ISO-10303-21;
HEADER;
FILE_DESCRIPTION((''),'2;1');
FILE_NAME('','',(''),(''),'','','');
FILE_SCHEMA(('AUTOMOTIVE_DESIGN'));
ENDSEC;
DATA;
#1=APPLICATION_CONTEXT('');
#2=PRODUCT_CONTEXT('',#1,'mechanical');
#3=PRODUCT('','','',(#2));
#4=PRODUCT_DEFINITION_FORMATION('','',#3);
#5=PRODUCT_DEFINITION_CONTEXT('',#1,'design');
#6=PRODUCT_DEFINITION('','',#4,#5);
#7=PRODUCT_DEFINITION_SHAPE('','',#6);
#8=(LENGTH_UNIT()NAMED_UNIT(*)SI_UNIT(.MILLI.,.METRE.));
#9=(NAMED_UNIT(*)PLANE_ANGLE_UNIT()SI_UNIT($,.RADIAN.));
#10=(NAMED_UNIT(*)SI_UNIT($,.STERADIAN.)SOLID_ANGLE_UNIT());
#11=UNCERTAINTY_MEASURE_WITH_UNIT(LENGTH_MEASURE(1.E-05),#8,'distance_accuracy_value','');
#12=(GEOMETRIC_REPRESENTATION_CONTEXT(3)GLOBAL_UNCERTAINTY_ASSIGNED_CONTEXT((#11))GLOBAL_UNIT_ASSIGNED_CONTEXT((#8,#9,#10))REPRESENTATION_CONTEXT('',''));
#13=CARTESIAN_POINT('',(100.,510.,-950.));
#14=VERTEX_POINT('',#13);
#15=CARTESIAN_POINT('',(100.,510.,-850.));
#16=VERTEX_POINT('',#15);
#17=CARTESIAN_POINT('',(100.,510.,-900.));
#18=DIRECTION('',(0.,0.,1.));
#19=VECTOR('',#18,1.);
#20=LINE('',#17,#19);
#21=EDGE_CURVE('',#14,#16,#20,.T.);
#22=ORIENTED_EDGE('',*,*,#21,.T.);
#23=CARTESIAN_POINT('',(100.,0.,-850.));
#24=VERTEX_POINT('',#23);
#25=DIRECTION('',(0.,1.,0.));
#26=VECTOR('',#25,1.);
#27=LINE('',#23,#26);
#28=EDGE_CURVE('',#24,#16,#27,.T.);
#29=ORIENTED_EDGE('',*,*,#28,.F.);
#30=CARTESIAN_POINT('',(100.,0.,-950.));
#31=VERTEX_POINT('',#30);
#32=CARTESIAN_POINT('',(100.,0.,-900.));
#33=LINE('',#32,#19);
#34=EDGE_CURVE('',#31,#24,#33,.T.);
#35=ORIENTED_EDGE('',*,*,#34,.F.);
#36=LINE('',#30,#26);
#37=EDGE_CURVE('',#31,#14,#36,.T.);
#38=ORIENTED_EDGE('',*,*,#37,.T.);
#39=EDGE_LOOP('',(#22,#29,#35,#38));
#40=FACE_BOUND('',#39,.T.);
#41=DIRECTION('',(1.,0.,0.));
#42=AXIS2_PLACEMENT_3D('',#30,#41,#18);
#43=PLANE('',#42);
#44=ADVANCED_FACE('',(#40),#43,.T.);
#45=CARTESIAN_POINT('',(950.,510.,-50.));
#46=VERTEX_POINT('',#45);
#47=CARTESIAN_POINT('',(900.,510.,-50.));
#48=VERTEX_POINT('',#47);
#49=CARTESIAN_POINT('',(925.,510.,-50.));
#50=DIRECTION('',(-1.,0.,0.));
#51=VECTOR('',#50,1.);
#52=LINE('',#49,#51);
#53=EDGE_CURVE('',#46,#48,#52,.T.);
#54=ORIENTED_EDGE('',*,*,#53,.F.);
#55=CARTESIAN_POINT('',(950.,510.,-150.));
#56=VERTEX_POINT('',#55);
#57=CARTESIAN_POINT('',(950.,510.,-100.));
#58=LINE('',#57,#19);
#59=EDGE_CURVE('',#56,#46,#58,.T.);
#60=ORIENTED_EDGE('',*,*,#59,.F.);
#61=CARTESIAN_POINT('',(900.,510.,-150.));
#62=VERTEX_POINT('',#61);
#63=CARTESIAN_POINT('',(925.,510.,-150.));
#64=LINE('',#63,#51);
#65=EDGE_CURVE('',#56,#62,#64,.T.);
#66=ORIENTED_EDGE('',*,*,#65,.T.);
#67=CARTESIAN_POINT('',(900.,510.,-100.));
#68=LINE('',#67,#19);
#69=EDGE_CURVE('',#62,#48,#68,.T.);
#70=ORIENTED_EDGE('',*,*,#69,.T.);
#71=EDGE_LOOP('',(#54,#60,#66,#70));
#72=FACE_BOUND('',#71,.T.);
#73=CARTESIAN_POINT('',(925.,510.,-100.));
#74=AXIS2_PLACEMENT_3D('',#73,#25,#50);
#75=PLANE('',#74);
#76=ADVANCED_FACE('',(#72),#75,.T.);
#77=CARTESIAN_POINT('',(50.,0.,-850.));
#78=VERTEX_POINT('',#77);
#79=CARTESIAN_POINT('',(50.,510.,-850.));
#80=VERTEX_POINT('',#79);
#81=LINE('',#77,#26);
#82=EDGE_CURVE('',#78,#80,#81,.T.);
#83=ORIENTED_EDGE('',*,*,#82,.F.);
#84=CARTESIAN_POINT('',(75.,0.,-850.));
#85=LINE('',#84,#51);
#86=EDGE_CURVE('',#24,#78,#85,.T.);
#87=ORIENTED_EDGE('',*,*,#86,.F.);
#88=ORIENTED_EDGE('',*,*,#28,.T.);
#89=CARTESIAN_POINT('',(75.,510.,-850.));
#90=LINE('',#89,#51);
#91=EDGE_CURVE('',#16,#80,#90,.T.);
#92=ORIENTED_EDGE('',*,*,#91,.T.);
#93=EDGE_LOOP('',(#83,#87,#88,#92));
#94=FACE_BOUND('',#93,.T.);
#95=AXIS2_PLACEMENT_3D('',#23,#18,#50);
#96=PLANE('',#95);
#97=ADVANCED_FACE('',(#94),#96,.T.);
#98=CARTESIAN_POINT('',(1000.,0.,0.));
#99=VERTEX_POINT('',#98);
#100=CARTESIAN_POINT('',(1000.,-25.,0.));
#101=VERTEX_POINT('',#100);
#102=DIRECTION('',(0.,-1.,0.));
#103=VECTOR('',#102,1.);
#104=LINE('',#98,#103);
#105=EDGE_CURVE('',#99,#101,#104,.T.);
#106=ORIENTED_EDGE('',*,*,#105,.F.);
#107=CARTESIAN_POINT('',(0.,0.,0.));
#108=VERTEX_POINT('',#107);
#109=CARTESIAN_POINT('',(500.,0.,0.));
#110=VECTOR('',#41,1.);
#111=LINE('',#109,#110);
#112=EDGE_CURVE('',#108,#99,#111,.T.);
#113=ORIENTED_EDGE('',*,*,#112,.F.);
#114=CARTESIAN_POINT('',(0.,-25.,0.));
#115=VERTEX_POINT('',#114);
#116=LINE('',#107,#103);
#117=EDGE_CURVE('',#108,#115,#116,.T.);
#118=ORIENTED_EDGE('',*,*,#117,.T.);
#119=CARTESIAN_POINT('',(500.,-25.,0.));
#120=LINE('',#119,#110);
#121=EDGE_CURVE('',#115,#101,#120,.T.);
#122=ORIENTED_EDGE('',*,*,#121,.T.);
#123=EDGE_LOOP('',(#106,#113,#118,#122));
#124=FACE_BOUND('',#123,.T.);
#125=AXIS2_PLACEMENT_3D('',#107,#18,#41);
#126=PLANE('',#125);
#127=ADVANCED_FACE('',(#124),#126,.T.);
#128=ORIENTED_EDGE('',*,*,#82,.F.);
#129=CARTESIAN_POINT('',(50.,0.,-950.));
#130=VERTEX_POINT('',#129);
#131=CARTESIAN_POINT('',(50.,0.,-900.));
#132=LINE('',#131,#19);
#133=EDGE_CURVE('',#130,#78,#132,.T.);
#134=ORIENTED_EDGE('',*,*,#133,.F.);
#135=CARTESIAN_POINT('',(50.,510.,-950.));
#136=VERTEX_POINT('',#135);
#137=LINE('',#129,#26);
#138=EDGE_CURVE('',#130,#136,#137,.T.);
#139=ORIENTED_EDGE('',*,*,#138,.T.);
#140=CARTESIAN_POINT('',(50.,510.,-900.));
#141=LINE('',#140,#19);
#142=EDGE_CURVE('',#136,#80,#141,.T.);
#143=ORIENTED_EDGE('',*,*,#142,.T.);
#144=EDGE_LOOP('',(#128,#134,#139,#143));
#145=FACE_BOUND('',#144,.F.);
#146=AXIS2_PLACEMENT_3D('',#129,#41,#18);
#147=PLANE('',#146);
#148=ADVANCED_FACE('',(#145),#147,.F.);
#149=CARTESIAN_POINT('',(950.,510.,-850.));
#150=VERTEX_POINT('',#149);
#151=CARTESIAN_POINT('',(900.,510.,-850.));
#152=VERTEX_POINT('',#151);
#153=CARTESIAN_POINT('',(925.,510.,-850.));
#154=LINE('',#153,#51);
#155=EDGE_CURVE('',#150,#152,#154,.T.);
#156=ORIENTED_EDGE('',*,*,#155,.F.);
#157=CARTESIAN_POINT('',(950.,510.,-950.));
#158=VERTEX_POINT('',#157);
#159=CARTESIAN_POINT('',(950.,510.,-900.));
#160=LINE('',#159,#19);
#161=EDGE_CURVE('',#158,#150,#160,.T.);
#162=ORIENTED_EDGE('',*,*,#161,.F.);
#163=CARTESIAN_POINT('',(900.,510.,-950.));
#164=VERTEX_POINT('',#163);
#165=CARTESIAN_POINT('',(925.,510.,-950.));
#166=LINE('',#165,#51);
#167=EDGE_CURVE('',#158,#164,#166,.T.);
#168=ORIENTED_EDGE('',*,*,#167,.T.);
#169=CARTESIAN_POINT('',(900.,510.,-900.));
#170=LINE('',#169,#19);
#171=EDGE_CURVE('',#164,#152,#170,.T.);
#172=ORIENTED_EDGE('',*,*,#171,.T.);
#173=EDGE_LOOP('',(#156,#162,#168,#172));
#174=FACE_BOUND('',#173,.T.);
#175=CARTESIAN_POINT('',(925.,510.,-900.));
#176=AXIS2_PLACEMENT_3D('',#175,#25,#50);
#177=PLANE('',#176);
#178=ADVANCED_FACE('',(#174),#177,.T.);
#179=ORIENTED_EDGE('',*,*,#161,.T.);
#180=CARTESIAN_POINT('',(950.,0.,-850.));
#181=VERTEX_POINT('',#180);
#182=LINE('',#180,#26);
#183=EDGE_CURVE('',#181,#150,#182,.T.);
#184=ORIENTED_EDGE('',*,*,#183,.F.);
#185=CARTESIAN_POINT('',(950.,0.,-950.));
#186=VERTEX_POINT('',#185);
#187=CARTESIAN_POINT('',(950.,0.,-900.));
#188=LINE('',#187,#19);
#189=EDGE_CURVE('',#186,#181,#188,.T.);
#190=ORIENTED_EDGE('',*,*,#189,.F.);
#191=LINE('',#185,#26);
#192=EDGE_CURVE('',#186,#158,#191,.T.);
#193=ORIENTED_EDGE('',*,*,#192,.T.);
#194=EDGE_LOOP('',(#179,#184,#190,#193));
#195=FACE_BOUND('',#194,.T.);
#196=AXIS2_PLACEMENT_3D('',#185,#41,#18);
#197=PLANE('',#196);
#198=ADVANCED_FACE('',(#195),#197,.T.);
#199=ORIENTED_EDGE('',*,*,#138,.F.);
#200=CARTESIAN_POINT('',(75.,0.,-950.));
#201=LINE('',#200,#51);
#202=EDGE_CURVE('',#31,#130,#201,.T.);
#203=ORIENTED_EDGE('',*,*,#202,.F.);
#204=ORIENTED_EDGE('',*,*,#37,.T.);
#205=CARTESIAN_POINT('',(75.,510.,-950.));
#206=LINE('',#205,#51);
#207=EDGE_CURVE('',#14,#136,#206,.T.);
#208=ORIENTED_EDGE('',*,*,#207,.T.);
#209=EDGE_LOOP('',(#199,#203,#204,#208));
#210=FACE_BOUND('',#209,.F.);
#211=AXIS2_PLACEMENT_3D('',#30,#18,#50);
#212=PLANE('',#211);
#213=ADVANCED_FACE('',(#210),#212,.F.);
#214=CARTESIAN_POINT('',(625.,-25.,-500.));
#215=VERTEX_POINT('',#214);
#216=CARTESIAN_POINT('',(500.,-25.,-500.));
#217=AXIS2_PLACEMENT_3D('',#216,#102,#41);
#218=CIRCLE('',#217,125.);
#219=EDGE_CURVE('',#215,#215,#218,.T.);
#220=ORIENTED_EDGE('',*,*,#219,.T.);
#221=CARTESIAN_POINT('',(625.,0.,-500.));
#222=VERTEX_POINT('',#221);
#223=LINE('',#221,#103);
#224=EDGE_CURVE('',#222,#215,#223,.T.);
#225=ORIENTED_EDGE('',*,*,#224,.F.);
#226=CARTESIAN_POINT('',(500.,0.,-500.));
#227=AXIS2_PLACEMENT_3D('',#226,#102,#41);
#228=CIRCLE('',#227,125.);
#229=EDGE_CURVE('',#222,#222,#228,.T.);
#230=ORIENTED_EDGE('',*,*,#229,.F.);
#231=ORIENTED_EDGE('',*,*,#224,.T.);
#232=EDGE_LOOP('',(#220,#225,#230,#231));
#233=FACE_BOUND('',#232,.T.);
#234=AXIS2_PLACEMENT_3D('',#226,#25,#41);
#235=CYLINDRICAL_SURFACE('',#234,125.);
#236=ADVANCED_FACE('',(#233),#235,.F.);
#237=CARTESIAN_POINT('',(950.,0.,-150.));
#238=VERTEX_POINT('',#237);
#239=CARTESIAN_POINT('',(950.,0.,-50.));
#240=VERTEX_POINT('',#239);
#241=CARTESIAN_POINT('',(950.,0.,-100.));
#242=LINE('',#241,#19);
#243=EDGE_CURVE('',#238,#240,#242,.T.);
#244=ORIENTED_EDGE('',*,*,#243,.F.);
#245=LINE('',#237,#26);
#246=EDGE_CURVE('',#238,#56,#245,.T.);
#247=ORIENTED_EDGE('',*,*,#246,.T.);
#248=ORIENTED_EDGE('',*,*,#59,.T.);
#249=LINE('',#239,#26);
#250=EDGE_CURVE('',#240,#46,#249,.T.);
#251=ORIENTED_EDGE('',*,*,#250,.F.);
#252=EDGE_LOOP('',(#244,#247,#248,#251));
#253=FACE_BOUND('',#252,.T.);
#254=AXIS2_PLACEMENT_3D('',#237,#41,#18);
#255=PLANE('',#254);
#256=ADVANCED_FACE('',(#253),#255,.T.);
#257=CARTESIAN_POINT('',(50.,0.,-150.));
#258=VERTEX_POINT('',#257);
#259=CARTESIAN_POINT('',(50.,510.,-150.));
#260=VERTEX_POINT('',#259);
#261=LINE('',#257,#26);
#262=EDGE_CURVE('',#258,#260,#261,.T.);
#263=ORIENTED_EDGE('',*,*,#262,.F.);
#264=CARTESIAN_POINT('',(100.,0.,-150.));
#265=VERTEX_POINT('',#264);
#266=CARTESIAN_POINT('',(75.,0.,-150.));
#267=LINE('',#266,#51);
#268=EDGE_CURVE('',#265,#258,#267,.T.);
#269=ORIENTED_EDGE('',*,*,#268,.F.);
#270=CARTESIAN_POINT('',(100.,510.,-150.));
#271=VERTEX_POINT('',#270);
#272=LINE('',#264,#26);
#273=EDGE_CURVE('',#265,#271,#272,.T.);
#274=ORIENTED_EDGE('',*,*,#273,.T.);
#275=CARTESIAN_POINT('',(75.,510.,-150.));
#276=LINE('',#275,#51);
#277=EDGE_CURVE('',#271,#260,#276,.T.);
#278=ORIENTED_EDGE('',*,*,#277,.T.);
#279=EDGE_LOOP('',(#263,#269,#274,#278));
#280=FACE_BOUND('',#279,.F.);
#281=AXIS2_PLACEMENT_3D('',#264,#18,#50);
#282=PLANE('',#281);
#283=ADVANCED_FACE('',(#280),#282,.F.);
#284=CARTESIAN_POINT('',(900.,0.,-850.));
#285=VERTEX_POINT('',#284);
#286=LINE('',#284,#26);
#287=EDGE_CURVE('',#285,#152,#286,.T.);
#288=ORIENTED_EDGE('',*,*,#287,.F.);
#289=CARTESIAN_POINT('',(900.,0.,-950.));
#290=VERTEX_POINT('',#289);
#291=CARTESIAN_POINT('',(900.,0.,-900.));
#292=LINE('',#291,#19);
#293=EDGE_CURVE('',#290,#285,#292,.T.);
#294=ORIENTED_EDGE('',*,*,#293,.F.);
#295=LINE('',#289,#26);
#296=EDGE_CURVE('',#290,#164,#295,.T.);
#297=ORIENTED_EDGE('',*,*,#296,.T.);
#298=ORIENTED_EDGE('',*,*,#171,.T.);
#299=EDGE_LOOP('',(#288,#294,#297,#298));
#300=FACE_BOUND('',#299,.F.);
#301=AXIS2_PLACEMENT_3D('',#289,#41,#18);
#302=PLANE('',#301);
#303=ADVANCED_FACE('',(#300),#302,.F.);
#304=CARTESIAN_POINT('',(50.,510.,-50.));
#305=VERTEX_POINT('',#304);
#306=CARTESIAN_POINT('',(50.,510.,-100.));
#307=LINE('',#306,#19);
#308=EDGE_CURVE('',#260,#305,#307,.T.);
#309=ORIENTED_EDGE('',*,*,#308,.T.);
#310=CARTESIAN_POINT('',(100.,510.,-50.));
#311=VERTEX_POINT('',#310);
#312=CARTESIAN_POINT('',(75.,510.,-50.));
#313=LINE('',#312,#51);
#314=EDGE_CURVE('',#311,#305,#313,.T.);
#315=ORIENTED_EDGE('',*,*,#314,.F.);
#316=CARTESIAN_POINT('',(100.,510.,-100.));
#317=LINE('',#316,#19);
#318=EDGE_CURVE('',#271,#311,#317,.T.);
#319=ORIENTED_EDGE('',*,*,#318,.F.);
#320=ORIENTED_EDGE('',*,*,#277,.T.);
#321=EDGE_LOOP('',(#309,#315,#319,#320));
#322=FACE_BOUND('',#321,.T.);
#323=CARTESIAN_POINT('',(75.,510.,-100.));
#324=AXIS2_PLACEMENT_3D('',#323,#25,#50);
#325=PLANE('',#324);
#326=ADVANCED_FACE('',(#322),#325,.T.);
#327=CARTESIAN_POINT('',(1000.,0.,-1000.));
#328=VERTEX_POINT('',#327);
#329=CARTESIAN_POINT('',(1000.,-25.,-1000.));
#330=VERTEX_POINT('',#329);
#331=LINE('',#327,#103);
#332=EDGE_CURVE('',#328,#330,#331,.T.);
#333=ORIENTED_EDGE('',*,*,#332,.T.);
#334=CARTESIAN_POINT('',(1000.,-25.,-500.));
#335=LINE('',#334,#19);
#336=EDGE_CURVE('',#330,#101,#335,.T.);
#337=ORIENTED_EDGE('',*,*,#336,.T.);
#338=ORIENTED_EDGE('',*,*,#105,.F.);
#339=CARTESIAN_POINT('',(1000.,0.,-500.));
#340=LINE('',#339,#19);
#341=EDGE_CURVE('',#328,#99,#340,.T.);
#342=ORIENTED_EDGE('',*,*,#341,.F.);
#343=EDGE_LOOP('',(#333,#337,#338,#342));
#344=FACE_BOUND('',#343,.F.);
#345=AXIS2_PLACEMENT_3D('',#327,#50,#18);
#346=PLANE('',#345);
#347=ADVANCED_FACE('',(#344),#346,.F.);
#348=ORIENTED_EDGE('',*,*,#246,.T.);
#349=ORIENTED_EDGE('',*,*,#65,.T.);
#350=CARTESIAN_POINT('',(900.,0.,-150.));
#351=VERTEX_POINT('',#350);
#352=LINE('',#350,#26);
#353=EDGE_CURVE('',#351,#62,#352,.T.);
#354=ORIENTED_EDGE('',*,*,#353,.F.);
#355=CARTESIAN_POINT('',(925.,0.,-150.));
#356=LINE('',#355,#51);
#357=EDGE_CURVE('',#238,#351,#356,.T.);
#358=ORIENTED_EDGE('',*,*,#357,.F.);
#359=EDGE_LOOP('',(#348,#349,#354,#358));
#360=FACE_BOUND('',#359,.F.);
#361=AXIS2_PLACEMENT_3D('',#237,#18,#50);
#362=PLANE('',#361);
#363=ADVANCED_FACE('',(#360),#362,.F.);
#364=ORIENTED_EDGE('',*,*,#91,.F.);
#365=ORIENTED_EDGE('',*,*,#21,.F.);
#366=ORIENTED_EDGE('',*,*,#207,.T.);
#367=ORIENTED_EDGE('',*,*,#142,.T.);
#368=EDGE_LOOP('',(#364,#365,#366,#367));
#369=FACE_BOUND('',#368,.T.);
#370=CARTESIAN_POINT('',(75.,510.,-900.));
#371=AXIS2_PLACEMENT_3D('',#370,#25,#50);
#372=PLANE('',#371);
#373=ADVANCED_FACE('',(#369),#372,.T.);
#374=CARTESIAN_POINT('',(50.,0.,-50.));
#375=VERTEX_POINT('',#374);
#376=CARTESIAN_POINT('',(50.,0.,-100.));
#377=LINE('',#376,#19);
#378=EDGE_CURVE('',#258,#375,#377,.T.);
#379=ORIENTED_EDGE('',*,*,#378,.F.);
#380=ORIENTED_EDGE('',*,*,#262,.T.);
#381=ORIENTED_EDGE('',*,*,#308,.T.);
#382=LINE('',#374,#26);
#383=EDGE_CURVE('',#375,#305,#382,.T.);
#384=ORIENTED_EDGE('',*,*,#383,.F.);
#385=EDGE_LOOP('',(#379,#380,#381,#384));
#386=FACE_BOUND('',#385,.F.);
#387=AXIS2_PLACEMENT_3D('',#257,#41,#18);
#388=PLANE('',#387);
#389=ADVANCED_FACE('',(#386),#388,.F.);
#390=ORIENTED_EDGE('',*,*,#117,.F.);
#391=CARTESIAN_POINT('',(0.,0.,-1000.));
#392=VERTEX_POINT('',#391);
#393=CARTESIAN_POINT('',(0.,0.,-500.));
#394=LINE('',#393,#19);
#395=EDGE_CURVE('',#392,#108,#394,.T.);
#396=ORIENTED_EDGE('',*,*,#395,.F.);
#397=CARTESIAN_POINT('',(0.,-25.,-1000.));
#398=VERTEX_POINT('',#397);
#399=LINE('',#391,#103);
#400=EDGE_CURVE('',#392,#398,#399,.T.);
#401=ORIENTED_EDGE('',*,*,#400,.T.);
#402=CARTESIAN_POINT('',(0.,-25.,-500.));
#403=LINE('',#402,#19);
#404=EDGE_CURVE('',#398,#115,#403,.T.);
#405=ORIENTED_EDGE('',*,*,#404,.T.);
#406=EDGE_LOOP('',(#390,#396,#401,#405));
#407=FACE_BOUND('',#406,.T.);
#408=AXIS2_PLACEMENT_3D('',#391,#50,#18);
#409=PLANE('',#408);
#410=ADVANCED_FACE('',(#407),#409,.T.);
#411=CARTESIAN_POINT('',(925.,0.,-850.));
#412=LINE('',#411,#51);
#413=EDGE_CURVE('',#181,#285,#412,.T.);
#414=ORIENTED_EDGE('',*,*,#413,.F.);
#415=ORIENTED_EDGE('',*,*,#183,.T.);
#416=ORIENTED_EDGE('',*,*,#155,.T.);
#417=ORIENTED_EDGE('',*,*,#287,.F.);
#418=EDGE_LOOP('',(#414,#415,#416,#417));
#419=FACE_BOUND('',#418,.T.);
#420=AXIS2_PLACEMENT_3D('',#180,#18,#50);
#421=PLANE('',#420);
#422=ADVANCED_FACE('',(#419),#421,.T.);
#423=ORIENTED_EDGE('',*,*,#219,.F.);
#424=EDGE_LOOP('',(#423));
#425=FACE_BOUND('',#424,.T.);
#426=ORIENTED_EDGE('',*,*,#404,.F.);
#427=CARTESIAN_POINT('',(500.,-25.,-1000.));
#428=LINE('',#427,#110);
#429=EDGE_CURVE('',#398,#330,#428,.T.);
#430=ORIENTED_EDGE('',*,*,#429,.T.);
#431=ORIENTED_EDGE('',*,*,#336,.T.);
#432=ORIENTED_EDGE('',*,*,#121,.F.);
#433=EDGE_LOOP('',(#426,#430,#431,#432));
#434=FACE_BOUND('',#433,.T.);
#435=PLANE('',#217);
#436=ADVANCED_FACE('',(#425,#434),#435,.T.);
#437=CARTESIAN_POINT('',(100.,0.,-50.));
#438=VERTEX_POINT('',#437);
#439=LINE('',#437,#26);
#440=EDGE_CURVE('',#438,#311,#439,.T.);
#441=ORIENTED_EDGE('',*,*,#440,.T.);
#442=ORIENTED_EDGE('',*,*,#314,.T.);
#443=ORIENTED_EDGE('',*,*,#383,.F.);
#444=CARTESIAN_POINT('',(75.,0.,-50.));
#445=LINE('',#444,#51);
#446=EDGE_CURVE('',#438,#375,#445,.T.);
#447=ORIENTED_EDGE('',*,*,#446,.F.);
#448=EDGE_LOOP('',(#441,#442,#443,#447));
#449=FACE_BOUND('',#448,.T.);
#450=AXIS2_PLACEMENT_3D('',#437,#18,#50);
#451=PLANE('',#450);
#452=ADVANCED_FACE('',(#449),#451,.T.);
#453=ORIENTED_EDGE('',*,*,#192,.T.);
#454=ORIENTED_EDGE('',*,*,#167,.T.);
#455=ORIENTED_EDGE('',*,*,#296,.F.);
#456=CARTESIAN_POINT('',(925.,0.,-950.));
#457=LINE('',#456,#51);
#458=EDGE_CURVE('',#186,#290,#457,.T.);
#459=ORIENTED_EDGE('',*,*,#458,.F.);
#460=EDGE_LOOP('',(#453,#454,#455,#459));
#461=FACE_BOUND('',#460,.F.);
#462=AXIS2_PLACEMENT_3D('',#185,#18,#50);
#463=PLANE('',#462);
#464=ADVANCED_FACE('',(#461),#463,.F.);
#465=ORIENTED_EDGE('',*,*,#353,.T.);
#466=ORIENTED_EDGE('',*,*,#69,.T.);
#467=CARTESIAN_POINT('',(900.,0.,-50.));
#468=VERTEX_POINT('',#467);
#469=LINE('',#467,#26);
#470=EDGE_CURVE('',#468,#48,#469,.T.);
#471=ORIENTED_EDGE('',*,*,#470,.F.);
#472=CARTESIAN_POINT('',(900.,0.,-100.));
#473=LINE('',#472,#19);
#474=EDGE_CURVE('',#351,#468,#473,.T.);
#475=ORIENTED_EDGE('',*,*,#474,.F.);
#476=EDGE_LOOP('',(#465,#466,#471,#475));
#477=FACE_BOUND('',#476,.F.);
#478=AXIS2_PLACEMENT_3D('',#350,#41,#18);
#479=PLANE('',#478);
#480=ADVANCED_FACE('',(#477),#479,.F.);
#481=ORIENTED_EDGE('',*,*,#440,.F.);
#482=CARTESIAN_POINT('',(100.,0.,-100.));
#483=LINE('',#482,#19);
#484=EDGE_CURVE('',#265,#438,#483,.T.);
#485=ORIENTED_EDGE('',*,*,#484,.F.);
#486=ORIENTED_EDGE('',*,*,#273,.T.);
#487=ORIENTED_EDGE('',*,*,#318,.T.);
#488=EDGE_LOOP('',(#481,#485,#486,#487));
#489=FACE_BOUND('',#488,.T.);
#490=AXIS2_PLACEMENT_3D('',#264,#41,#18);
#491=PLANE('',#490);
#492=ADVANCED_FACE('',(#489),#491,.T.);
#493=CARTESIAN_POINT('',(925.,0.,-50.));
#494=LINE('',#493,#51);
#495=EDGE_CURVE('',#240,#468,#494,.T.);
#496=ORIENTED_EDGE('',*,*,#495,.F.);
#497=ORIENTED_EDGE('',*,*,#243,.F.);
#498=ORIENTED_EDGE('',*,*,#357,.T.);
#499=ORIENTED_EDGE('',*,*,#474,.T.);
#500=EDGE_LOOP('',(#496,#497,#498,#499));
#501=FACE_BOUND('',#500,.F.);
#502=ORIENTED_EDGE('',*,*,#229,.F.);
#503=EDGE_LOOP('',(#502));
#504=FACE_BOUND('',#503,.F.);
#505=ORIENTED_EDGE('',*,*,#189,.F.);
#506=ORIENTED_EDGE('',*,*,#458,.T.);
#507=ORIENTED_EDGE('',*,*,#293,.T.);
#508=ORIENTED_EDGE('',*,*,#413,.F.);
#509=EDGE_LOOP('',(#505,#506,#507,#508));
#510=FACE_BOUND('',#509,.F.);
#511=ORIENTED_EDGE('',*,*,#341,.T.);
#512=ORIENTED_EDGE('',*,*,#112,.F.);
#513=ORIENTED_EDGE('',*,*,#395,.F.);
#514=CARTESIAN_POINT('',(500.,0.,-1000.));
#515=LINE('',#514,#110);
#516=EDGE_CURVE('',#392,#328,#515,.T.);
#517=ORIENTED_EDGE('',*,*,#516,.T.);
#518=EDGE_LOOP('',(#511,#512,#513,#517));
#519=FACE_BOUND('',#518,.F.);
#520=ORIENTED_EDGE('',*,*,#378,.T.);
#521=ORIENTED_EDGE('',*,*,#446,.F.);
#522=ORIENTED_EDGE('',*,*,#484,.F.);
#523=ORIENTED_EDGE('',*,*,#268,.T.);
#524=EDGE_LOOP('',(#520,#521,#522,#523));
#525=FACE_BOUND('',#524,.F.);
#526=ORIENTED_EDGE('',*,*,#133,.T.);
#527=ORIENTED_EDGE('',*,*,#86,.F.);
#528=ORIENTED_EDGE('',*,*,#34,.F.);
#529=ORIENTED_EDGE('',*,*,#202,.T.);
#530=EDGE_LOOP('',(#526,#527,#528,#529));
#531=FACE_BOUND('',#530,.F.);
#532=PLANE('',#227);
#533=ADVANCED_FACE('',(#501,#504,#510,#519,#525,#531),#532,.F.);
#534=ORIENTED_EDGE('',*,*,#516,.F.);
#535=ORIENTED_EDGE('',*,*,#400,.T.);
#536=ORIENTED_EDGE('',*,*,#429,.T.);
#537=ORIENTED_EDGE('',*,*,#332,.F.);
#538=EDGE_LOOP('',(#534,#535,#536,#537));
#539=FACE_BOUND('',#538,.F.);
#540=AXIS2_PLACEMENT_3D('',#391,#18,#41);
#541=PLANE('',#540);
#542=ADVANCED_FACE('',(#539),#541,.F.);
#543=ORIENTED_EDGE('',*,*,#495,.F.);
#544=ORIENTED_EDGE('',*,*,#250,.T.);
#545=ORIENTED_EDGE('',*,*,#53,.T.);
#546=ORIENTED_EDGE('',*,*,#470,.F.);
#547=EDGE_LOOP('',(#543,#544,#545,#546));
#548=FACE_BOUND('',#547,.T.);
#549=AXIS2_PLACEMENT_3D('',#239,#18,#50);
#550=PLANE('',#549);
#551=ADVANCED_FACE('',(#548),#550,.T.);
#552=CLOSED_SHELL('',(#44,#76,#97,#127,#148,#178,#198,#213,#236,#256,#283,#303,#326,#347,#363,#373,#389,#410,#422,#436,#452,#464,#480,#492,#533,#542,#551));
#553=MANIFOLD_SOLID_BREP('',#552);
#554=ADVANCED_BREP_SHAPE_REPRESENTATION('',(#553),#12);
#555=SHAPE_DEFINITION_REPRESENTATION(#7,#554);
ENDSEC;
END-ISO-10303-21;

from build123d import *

# Parameters (mm, degrees)
F0_W     = 1000
F0_H     = 1000
F0_R     = 125
F1_DEPTH = 25
F2_W     = 50
F2_H     = 100
F3_DEPTH = 510


with BuildPart() as f1:
    # F0 (on Front) → F1 (new body)
    with BuildSketch(Plane.XZ):
        with Locations((500, -500)):
            Rectangle(F0_W, F0_H)
        with Locations((500, -500)):
            Circle(F0_R, mode=Mode.SUBTRACT)
    extrude(amount=F1_DEPTH)

    # F2 (on face) → F3 (join)
    with BuildSketch(Plane(origin=(0, 0, 0), x_dir=(-1, 0, 0), z_dir=(0, 1, 0))):
        with Locations((-925, -100)):
            Rectangle(F2_W, F2_H)
        with Locations((-925, -900)):
            Rectangle(F2_W, F2_H)
        with Locations((-75, -100)):
            Rectangle(F2_W, F2_H)
        with Locations((-75, -900)):
            Rectangle(F2_W, F2_H)
    extrude(amount=F3_DEPTH)


solid = f1.part
